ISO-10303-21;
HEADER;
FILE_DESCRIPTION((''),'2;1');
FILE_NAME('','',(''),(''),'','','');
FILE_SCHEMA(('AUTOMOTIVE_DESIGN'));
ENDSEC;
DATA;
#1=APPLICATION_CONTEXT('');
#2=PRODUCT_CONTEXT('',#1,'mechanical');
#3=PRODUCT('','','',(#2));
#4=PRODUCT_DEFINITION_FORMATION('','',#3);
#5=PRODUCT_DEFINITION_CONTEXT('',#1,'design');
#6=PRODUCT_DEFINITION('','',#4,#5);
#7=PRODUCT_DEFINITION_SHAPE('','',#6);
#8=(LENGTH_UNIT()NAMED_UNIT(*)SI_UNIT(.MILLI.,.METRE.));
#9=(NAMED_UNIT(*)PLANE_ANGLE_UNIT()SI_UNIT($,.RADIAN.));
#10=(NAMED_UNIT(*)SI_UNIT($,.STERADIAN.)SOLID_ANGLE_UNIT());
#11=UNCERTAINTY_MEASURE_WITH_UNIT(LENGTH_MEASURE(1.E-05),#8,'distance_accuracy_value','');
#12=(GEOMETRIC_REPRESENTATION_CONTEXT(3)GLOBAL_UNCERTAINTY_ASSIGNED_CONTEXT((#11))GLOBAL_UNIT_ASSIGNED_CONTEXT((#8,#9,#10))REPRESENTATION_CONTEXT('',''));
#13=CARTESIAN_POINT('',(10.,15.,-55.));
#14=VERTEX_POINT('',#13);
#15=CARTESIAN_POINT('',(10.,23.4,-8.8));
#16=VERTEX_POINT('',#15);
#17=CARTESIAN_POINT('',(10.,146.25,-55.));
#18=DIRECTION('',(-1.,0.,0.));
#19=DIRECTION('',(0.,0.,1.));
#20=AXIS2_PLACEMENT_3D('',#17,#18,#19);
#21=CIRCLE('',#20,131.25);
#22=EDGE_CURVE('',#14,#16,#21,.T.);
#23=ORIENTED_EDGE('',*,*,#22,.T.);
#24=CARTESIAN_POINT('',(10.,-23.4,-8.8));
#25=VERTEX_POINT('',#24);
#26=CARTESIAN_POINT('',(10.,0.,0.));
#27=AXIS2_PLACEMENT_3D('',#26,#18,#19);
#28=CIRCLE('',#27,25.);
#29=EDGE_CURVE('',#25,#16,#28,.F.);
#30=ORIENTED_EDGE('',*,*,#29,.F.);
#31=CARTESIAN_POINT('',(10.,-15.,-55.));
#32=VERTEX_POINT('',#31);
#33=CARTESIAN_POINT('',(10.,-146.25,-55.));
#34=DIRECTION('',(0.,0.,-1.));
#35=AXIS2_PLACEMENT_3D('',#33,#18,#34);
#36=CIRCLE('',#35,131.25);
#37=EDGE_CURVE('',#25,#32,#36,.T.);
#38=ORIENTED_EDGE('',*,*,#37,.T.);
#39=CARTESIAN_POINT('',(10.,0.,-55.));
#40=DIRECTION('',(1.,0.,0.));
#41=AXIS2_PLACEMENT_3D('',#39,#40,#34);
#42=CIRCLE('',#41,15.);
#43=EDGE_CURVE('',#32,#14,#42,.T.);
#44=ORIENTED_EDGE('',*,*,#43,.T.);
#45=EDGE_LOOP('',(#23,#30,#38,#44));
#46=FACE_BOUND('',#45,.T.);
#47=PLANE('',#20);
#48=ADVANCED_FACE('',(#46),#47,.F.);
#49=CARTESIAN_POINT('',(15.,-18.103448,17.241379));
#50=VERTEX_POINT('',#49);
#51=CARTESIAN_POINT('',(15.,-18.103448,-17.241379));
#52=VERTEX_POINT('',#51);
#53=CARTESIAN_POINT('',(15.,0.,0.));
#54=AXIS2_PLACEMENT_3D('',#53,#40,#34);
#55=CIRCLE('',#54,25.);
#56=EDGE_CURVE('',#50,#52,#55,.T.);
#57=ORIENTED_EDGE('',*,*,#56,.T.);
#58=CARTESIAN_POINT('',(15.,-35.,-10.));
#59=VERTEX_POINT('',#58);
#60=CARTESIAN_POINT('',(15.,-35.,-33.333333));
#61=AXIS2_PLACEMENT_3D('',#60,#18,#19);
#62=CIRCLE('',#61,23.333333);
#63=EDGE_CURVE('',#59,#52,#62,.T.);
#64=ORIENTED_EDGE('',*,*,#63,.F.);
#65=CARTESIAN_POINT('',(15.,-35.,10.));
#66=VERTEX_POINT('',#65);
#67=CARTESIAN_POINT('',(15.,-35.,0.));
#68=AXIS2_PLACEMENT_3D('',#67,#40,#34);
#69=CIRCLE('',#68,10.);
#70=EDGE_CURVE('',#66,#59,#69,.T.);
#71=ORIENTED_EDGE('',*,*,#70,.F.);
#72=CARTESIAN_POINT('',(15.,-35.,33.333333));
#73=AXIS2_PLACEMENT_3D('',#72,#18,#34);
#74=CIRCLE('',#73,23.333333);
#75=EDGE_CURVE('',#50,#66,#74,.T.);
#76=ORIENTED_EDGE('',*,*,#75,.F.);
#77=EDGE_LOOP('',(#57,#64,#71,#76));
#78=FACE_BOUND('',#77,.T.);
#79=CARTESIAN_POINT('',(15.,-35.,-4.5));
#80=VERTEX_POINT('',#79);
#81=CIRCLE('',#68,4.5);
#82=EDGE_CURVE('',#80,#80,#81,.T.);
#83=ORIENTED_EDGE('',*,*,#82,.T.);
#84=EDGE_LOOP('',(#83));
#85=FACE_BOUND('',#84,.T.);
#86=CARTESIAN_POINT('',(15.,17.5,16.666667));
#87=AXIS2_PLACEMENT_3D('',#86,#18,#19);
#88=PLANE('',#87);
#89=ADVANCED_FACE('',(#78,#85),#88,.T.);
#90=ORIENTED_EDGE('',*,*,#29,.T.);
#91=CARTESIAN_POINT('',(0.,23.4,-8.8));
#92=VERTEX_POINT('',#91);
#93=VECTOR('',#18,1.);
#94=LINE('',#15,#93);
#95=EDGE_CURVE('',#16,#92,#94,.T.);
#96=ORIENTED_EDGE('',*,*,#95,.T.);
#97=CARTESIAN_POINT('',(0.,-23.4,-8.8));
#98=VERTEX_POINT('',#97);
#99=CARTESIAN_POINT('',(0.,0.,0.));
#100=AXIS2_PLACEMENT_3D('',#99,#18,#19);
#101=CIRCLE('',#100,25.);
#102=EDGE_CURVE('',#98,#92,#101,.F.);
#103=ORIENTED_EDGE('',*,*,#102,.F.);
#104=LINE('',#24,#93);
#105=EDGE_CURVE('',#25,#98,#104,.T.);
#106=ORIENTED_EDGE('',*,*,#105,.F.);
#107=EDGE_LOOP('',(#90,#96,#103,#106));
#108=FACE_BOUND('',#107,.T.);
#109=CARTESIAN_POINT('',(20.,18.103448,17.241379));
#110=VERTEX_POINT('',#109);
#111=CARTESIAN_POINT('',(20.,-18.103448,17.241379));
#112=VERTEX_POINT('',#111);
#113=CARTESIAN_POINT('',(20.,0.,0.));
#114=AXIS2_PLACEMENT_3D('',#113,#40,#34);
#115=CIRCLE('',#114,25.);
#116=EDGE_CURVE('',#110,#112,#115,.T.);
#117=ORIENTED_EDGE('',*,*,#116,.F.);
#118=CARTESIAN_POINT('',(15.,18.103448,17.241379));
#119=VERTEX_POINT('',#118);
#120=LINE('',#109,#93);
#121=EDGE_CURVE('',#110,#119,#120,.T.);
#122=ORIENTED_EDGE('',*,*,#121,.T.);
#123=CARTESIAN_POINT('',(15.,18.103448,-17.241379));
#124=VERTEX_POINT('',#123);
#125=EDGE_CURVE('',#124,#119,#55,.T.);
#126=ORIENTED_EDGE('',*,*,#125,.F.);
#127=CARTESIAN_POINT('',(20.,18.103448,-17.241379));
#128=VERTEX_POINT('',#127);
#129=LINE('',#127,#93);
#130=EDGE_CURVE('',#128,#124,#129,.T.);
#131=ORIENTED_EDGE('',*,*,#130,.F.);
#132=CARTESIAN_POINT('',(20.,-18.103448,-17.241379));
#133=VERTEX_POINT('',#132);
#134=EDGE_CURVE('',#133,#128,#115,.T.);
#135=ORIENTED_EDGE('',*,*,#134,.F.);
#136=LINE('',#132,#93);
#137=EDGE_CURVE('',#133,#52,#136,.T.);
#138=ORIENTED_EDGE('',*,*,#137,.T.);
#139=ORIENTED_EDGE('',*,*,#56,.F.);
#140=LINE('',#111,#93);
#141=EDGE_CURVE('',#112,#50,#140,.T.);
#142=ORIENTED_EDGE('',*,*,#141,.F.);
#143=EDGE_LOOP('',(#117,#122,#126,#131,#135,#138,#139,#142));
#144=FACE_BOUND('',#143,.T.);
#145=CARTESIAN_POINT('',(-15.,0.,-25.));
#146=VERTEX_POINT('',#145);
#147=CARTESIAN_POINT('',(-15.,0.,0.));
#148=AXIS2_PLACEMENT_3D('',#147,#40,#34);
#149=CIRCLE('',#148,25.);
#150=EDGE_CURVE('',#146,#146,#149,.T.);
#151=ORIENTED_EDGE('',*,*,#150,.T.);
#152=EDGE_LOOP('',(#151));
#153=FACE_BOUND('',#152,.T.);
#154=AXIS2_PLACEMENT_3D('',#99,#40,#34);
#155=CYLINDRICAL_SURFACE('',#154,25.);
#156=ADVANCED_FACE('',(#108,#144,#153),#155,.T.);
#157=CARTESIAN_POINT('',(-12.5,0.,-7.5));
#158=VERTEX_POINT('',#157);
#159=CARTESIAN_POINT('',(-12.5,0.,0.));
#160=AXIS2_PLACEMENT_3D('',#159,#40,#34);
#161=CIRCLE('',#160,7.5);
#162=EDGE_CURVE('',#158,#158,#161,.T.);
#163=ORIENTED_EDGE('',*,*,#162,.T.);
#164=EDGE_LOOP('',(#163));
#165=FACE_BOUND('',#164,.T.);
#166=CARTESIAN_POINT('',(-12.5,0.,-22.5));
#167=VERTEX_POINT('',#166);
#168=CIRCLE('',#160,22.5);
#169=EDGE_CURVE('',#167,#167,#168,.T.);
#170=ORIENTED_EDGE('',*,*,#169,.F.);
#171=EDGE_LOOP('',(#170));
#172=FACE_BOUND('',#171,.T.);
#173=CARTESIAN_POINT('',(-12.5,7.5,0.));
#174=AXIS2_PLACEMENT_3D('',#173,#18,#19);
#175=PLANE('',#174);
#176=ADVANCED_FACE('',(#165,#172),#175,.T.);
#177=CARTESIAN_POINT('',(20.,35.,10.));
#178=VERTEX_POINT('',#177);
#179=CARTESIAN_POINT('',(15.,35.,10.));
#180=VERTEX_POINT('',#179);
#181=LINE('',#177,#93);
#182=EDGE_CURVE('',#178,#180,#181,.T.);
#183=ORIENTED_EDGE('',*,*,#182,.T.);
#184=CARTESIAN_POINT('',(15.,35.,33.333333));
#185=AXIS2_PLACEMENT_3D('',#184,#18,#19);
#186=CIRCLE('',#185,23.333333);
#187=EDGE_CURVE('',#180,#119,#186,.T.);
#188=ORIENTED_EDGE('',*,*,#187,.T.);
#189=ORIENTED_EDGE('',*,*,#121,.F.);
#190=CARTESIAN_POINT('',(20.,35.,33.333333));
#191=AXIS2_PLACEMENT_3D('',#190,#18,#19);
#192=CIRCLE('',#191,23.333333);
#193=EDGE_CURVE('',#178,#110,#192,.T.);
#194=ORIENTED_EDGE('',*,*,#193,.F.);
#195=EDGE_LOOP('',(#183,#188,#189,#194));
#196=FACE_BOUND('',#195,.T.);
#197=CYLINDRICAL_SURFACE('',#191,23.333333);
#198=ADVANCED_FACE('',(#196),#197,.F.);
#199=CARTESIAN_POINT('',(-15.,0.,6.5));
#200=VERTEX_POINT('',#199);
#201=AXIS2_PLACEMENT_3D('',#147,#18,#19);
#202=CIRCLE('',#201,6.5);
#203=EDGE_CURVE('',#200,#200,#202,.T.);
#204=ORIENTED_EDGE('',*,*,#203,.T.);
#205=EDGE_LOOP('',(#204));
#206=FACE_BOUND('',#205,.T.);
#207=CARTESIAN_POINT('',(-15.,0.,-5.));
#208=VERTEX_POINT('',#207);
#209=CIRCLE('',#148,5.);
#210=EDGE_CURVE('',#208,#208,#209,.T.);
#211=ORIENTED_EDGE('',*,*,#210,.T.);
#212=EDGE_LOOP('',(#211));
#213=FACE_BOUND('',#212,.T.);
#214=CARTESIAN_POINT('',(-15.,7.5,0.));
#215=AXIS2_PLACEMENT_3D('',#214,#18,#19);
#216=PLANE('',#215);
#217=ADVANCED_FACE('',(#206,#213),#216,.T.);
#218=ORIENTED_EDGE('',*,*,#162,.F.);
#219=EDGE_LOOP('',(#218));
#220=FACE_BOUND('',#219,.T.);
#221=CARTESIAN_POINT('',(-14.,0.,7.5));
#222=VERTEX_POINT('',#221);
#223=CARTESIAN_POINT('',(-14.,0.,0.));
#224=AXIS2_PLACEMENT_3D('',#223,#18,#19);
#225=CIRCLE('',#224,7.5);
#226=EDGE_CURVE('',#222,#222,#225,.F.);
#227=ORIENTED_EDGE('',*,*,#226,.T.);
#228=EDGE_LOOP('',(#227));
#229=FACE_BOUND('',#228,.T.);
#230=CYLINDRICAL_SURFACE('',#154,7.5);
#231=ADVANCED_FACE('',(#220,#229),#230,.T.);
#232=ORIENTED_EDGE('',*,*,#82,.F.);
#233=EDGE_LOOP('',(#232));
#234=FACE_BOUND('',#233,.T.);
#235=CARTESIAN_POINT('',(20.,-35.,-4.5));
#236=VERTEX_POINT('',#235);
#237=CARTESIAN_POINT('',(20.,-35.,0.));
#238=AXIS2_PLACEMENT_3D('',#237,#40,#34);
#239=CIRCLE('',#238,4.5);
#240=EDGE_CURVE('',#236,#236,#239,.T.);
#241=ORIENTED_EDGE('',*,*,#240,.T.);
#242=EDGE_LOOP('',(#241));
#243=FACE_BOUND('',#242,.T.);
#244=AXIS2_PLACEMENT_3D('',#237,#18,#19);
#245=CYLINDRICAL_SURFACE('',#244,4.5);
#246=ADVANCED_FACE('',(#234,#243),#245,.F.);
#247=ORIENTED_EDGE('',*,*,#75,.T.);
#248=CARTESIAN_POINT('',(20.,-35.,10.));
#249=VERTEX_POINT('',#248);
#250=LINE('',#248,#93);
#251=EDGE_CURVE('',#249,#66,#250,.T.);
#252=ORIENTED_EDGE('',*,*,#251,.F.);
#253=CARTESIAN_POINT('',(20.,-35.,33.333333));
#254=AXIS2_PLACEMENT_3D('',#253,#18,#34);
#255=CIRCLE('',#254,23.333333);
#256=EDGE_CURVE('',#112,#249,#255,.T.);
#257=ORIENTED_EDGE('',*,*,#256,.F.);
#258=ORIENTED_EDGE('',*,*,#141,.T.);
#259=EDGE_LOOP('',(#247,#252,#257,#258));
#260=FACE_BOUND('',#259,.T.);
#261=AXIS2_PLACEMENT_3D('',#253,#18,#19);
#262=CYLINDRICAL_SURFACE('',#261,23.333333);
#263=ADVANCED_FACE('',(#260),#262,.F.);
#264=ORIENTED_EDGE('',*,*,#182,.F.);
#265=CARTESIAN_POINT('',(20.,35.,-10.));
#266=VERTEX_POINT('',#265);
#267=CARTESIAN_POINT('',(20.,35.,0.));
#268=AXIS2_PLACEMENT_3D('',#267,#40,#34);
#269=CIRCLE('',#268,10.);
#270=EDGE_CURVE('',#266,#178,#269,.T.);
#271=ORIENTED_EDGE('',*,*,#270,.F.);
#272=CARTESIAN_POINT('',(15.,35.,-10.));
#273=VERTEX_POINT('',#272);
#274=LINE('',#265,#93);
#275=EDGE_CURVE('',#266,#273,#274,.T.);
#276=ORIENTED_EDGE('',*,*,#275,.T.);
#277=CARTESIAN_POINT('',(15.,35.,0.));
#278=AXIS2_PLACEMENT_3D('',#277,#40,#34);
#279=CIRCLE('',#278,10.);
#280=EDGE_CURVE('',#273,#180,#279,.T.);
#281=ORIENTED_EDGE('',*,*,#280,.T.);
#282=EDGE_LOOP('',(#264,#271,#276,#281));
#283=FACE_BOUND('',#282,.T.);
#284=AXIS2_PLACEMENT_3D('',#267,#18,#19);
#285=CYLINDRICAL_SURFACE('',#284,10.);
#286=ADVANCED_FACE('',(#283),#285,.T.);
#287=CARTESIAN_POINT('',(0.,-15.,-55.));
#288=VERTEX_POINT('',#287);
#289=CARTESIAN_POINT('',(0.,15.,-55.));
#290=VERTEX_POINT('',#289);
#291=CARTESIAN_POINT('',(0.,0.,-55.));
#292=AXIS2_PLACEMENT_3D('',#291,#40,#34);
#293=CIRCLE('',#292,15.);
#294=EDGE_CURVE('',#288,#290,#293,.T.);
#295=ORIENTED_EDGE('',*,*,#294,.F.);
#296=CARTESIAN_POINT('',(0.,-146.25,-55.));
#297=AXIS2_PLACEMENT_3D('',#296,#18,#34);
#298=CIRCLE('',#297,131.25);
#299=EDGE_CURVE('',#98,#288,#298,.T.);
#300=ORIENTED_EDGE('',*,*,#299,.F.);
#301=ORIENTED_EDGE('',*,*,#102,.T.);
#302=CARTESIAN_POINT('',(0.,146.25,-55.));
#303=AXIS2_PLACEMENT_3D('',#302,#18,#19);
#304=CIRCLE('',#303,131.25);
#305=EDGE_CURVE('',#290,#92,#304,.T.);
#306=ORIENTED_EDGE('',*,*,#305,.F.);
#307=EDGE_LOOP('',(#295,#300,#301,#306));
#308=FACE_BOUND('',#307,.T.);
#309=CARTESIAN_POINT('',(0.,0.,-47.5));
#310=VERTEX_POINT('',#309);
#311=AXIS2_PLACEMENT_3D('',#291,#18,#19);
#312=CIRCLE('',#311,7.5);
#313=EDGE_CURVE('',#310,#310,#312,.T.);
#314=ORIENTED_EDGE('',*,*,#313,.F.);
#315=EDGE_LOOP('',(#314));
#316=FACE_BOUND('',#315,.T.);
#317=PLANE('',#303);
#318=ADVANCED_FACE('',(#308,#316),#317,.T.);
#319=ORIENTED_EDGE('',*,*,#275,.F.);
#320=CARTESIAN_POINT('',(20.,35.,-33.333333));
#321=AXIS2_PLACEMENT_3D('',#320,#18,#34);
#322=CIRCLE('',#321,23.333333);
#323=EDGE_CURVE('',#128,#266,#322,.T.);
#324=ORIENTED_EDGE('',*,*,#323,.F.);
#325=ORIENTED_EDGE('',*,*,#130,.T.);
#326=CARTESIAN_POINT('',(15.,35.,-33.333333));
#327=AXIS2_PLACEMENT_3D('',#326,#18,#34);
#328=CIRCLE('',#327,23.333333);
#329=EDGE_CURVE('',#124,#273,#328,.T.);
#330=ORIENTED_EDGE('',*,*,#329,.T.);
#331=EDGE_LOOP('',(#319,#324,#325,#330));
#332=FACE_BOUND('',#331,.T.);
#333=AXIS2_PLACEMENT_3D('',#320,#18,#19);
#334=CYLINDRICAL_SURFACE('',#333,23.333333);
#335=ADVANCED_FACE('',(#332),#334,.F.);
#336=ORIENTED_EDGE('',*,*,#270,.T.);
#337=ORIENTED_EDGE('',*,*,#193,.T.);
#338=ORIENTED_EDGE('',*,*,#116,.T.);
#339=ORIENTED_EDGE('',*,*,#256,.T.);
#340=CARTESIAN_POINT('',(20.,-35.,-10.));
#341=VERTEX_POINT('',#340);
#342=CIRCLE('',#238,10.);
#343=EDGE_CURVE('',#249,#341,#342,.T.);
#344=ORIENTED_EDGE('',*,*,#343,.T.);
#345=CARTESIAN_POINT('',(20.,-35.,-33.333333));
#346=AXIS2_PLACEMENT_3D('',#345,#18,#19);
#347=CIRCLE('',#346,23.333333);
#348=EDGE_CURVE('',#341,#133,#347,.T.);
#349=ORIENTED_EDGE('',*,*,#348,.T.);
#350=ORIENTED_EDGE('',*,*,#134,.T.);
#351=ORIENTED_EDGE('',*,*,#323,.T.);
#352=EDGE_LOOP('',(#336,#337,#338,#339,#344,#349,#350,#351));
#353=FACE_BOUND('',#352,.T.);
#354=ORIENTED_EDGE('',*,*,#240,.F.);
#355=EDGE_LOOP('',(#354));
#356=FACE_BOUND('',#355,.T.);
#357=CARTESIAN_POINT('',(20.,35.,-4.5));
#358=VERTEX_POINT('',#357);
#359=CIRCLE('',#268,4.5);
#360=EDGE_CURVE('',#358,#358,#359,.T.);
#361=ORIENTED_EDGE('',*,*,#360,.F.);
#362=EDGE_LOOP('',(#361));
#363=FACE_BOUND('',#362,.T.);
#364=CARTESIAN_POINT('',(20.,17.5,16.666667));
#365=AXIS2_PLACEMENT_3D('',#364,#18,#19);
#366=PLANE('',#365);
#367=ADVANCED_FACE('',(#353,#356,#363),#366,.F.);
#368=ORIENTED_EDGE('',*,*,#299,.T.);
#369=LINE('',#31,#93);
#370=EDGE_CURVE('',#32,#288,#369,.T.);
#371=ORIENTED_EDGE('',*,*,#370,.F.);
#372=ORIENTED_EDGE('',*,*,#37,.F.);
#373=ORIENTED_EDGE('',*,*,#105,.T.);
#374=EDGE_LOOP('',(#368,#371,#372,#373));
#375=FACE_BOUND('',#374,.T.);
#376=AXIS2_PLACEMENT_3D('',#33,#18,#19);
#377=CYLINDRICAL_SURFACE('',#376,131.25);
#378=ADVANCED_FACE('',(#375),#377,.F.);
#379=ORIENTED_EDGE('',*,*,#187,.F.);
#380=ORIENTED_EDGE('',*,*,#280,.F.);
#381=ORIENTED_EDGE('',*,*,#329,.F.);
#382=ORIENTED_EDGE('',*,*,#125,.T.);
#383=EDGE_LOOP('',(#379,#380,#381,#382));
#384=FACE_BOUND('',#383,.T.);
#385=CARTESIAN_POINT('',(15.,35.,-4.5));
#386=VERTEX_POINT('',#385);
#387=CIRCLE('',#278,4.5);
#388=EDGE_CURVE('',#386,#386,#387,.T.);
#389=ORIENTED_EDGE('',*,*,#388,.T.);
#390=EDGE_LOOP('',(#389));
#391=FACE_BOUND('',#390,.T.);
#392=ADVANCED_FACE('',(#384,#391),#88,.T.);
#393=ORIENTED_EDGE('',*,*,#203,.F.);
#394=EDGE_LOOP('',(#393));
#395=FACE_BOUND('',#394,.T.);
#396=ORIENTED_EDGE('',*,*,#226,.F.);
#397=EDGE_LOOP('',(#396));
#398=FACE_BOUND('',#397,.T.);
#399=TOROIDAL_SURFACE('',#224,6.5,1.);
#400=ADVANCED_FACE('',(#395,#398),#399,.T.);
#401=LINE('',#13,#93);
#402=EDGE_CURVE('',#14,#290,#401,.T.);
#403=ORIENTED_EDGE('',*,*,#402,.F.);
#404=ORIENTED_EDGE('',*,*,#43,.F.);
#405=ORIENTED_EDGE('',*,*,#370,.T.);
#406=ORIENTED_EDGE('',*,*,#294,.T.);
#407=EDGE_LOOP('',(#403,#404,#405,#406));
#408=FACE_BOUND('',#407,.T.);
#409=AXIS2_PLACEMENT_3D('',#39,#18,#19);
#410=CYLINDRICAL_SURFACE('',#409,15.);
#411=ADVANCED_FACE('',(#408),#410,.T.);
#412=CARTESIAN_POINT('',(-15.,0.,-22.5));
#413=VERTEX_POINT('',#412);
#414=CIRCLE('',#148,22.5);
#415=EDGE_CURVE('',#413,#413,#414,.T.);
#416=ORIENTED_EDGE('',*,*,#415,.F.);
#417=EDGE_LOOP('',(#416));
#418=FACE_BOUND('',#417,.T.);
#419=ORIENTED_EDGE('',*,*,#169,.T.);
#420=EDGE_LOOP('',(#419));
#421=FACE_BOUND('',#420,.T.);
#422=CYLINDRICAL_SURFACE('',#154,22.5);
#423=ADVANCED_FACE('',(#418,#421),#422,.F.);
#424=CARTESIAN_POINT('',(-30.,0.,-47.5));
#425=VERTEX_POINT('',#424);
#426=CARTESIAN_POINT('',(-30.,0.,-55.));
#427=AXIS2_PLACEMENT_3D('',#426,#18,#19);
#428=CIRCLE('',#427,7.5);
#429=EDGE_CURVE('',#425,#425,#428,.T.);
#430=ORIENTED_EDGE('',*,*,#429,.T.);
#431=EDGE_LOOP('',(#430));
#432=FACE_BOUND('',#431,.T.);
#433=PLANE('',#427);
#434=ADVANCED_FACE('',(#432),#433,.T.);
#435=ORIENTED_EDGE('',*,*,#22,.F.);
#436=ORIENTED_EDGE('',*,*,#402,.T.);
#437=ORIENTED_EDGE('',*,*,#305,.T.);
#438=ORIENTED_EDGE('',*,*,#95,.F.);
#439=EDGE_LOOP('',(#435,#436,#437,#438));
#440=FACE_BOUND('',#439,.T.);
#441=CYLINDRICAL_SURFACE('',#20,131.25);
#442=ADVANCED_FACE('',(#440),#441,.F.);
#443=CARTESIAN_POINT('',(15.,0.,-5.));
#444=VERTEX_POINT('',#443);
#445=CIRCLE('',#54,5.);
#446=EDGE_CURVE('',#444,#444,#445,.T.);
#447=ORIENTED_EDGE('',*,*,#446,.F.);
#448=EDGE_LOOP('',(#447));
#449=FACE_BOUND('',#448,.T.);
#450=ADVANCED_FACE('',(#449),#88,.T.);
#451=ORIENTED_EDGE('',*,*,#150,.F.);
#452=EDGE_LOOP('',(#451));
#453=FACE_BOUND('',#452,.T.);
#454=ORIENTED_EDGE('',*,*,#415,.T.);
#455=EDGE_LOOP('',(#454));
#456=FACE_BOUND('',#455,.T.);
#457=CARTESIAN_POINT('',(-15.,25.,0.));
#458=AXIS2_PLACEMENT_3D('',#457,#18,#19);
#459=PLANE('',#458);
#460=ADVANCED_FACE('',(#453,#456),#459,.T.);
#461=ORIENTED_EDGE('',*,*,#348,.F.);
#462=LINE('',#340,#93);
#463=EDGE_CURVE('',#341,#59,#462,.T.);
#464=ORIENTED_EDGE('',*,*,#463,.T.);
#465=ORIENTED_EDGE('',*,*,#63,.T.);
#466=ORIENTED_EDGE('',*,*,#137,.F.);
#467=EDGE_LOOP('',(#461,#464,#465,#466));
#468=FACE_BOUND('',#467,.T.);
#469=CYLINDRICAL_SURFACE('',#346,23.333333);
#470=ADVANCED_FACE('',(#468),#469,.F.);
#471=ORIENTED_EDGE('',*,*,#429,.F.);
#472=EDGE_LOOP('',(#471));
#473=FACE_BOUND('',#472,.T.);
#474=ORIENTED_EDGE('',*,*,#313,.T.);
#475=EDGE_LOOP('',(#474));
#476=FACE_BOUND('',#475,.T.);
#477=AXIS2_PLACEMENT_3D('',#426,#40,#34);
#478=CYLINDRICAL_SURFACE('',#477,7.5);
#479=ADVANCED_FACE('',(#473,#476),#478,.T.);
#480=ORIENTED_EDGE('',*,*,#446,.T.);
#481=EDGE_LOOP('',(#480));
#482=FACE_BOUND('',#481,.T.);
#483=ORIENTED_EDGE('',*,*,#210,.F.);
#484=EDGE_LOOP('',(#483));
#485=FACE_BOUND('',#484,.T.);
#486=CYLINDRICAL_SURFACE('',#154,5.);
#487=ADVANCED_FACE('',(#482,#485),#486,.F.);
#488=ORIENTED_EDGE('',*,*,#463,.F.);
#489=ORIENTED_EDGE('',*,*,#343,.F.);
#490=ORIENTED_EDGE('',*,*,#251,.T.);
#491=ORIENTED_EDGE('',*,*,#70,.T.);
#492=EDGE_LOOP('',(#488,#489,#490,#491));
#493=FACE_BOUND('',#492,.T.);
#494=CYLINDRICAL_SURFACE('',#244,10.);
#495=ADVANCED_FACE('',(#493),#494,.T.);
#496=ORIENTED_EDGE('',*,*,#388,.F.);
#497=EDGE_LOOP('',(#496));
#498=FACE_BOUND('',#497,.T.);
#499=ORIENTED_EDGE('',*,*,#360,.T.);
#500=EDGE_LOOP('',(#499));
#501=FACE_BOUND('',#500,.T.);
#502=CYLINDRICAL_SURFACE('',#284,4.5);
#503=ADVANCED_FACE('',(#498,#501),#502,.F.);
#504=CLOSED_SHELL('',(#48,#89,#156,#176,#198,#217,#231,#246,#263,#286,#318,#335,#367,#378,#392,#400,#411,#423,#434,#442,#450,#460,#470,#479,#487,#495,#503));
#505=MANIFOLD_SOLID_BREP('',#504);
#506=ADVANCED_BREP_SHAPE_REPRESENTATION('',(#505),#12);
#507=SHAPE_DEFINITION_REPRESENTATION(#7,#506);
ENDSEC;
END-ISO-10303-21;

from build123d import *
from build123d.topology import SkipClean

# Parameters (mm, degrees)
FILLET1_R           = 1
SKETCH2_R           = 4.5
BOSS_EXTRUDE2_DEPTH = 5
BOSS_EXTRUDE3_DEPTH = 10
SKETCH4_R           = 7.5
BOSS_EXTRUDE4_DEPTH = 30


with BuildPart() as part:
    # Sketch1 → Revolve1 (revolve)
    with BuildSketch(Plane.XY, mode=Mode.PRIVATE) as revolve1_sk:
        Polygon((15, 25), (-15, 25), (-15, 22.5), (-12.5, 22.5), (-12.5, 7.5), (-15, 7.5), (-15, 5), (15, 5), align=None)
    revolve(revolve1_sk.sketch.rotate(Axis((0, 0, 0), (-1, 0, 0)), 90), axis=Axis((0, 0, 0), (-1, 0, 0)))

    # Fillet1
    fillet1_edges = [part.edges().sort_by_distance(p)[0] for p in [
        (-15, 0, 7.5),
    ]]
    fillet(fillet1_edges, radius=FILLET1_R)

    # Sketch2 → Boss-Extrude2 (add)
    with SkipClean():  # the faces are left unmerged after this step: merging them gives an invalid solid
        with BuildSketch(Plane(origin=(15, 0, 0), x_dir=(0, 0, -1), z_dir=(1, 0, 0))):
            with BuildLine():
                ThreePointArc((10, 35), (0, 45), (-10, 35))
                ThreePointArc((-10, 35), (-11.886615966, 25.8085497), (-17.24137931, 18.103448276))
                ThreePointArc((-17.24137931, 18.103448276), (-25, 0), (-17.24137931, -18.103448276))
                ThreePointArc((-17.24137931, -18.103448276), (-11.886615966, -25.8085497), (-10, -35))
                ThreePointArc((-10, -35), (0, -45), (10, -35))
                ThreePointArc((10, -35), (11.886615966, -25.8085497), (17.24137931, -18.103448276))
                ThreePointArc((17.24137931, -18.103448276), (25, 0), (17.24137931, 18.103448276))
                ThreePointArc((17.24137931, 18.103448276), (11.886615966, 25.8085497), (10, 35))
            make_face()
            with Locations((0, 35)):
                Circle(SKETCH2_R, mode=Mode.SUBTRACT)
            with Locations((0, -35)):
                Circle(SKETCH2_R, mode=Mode.SUBTRACT)
        extrude(amount=BOSS_EXTRUDE2_DEPTH)

    # Sketch3 → Boss-Extrude3 (add)
    with SkipClean():  # the faces are left unmerged after this step: merging them gives an invalid solid
        with BuildSketch(Plane(origin=(0, 0, 0), x_dir=(0, 0, -1), z_dir=(1, 0, 0))):
            with BuildLine():
                Line((8.8, 23.4), (8.8, -23.4))
                ThreePointArc((8.8, -23.4), (31.521286236, -17.117074299), (55, -15))
                ThreePointArc((55, -15), (70, 0), (55, 15))
                ThreePointArc((55, 15), (31.521286236, 17.117074299), (8.8, 23.4))
            make_face()
        extrude(amount=BOSS_EXTRUDE3_DEPTH)

    # Sketch4 → Boss-Extrude4 (add)
    with SkipClean():  # the faces are left unmerged after this step: merging them gives an invalid solid
        with BuildSketch(Plane.ZY):
            with Locations((-55, 0)):
                Circle(SKETCH4_R)
        extrude(amount=BOSS_EXTRUDE4_DEPTH)


solid = part.part
